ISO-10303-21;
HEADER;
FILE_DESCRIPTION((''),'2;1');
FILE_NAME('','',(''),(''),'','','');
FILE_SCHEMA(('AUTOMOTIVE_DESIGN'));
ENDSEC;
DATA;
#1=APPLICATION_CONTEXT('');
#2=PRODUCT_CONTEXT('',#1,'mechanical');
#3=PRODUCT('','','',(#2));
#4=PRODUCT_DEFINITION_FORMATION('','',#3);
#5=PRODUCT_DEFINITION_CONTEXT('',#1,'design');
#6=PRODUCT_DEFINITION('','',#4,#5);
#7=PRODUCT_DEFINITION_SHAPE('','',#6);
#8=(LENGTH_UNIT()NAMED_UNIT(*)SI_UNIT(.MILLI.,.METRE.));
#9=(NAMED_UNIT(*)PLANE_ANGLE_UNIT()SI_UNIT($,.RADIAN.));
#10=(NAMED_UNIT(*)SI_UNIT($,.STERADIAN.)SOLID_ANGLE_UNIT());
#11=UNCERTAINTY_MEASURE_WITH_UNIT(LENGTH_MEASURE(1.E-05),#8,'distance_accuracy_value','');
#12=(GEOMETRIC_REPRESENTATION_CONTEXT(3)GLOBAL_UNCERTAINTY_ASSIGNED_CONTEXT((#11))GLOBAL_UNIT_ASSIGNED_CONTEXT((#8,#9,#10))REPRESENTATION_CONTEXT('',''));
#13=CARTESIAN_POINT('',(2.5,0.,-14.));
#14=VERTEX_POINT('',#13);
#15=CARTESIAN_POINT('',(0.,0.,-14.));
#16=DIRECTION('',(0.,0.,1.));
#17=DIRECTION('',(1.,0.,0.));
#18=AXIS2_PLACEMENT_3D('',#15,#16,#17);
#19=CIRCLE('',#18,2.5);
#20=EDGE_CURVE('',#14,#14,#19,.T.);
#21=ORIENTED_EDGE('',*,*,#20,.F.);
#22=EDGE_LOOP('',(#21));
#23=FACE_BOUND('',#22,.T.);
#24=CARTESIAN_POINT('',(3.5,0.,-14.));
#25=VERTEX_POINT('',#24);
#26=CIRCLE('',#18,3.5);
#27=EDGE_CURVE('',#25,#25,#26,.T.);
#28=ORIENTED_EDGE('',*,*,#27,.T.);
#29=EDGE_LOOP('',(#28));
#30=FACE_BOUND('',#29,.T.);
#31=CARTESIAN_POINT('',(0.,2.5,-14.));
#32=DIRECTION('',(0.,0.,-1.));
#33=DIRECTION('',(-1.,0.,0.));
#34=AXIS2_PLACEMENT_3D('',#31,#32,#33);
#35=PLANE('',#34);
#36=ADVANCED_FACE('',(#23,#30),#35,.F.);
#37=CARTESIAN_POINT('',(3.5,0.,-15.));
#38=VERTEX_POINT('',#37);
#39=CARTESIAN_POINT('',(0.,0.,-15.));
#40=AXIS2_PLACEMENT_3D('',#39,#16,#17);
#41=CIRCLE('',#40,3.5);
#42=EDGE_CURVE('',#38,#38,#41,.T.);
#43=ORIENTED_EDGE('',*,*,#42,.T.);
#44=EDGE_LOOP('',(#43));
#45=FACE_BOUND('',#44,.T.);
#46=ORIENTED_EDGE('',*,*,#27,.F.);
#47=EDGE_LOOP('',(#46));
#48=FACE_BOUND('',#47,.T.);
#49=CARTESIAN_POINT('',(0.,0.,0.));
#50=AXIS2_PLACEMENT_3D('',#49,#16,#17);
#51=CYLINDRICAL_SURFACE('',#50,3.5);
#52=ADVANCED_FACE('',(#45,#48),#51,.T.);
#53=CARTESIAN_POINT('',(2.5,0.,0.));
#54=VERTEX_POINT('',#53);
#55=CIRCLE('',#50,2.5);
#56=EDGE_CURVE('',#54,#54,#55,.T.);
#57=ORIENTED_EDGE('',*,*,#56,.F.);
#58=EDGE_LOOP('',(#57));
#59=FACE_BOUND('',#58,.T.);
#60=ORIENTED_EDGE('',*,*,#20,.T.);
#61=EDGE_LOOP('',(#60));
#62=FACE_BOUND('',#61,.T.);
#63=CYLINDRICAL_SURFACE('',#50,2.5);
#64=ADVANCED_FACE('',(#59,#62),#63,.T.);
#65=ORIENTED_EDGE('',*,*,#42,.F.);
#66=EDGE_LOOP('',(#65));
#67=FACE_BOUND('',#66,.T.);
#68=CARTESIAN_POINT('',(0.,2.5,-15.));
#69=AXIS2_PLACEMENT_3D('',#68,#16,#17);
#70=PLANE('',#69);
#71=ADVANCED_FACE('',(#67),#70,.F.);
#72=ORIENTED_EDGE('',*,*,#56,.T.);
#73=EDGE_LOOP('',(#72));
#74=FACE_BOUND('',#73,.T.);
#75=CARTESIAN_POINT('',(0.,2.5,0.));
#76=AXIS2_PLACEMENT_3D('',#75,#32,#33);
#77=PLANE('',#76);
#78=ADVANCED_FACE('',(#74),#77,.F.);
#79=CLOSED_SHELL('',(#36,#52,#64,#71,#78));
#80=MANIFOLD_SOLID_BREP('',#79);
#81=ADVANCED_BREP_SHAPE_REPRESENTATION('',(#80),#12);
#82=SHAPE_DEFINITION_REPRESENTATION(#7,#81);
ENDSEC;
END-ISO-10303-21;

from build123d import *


with BuildPart() as part:
    # Schizzo2 → Rivoluzione1 (revolve)
    with BuildSketch(Plane(origin=(0, 0, 0), x_dir=(0, 0, -1), z_dir=(1, 0, 0)), mode=Mode.PRIVATE) as rivoluzione1_sk:
        Polygon((0, 2.5), (0, 0), (15, 0), (15, 2.5), (15, 3.5), (14, 3.5), (14, 2.5), align=None)
    revolve(rivoluzione1_sk.sketch.rotate(Axis((0, 0, 0), (0, 0, -1)), 90), axis=Axis((0, 0, 0), (0, 0, -1)))


solid = part.part
